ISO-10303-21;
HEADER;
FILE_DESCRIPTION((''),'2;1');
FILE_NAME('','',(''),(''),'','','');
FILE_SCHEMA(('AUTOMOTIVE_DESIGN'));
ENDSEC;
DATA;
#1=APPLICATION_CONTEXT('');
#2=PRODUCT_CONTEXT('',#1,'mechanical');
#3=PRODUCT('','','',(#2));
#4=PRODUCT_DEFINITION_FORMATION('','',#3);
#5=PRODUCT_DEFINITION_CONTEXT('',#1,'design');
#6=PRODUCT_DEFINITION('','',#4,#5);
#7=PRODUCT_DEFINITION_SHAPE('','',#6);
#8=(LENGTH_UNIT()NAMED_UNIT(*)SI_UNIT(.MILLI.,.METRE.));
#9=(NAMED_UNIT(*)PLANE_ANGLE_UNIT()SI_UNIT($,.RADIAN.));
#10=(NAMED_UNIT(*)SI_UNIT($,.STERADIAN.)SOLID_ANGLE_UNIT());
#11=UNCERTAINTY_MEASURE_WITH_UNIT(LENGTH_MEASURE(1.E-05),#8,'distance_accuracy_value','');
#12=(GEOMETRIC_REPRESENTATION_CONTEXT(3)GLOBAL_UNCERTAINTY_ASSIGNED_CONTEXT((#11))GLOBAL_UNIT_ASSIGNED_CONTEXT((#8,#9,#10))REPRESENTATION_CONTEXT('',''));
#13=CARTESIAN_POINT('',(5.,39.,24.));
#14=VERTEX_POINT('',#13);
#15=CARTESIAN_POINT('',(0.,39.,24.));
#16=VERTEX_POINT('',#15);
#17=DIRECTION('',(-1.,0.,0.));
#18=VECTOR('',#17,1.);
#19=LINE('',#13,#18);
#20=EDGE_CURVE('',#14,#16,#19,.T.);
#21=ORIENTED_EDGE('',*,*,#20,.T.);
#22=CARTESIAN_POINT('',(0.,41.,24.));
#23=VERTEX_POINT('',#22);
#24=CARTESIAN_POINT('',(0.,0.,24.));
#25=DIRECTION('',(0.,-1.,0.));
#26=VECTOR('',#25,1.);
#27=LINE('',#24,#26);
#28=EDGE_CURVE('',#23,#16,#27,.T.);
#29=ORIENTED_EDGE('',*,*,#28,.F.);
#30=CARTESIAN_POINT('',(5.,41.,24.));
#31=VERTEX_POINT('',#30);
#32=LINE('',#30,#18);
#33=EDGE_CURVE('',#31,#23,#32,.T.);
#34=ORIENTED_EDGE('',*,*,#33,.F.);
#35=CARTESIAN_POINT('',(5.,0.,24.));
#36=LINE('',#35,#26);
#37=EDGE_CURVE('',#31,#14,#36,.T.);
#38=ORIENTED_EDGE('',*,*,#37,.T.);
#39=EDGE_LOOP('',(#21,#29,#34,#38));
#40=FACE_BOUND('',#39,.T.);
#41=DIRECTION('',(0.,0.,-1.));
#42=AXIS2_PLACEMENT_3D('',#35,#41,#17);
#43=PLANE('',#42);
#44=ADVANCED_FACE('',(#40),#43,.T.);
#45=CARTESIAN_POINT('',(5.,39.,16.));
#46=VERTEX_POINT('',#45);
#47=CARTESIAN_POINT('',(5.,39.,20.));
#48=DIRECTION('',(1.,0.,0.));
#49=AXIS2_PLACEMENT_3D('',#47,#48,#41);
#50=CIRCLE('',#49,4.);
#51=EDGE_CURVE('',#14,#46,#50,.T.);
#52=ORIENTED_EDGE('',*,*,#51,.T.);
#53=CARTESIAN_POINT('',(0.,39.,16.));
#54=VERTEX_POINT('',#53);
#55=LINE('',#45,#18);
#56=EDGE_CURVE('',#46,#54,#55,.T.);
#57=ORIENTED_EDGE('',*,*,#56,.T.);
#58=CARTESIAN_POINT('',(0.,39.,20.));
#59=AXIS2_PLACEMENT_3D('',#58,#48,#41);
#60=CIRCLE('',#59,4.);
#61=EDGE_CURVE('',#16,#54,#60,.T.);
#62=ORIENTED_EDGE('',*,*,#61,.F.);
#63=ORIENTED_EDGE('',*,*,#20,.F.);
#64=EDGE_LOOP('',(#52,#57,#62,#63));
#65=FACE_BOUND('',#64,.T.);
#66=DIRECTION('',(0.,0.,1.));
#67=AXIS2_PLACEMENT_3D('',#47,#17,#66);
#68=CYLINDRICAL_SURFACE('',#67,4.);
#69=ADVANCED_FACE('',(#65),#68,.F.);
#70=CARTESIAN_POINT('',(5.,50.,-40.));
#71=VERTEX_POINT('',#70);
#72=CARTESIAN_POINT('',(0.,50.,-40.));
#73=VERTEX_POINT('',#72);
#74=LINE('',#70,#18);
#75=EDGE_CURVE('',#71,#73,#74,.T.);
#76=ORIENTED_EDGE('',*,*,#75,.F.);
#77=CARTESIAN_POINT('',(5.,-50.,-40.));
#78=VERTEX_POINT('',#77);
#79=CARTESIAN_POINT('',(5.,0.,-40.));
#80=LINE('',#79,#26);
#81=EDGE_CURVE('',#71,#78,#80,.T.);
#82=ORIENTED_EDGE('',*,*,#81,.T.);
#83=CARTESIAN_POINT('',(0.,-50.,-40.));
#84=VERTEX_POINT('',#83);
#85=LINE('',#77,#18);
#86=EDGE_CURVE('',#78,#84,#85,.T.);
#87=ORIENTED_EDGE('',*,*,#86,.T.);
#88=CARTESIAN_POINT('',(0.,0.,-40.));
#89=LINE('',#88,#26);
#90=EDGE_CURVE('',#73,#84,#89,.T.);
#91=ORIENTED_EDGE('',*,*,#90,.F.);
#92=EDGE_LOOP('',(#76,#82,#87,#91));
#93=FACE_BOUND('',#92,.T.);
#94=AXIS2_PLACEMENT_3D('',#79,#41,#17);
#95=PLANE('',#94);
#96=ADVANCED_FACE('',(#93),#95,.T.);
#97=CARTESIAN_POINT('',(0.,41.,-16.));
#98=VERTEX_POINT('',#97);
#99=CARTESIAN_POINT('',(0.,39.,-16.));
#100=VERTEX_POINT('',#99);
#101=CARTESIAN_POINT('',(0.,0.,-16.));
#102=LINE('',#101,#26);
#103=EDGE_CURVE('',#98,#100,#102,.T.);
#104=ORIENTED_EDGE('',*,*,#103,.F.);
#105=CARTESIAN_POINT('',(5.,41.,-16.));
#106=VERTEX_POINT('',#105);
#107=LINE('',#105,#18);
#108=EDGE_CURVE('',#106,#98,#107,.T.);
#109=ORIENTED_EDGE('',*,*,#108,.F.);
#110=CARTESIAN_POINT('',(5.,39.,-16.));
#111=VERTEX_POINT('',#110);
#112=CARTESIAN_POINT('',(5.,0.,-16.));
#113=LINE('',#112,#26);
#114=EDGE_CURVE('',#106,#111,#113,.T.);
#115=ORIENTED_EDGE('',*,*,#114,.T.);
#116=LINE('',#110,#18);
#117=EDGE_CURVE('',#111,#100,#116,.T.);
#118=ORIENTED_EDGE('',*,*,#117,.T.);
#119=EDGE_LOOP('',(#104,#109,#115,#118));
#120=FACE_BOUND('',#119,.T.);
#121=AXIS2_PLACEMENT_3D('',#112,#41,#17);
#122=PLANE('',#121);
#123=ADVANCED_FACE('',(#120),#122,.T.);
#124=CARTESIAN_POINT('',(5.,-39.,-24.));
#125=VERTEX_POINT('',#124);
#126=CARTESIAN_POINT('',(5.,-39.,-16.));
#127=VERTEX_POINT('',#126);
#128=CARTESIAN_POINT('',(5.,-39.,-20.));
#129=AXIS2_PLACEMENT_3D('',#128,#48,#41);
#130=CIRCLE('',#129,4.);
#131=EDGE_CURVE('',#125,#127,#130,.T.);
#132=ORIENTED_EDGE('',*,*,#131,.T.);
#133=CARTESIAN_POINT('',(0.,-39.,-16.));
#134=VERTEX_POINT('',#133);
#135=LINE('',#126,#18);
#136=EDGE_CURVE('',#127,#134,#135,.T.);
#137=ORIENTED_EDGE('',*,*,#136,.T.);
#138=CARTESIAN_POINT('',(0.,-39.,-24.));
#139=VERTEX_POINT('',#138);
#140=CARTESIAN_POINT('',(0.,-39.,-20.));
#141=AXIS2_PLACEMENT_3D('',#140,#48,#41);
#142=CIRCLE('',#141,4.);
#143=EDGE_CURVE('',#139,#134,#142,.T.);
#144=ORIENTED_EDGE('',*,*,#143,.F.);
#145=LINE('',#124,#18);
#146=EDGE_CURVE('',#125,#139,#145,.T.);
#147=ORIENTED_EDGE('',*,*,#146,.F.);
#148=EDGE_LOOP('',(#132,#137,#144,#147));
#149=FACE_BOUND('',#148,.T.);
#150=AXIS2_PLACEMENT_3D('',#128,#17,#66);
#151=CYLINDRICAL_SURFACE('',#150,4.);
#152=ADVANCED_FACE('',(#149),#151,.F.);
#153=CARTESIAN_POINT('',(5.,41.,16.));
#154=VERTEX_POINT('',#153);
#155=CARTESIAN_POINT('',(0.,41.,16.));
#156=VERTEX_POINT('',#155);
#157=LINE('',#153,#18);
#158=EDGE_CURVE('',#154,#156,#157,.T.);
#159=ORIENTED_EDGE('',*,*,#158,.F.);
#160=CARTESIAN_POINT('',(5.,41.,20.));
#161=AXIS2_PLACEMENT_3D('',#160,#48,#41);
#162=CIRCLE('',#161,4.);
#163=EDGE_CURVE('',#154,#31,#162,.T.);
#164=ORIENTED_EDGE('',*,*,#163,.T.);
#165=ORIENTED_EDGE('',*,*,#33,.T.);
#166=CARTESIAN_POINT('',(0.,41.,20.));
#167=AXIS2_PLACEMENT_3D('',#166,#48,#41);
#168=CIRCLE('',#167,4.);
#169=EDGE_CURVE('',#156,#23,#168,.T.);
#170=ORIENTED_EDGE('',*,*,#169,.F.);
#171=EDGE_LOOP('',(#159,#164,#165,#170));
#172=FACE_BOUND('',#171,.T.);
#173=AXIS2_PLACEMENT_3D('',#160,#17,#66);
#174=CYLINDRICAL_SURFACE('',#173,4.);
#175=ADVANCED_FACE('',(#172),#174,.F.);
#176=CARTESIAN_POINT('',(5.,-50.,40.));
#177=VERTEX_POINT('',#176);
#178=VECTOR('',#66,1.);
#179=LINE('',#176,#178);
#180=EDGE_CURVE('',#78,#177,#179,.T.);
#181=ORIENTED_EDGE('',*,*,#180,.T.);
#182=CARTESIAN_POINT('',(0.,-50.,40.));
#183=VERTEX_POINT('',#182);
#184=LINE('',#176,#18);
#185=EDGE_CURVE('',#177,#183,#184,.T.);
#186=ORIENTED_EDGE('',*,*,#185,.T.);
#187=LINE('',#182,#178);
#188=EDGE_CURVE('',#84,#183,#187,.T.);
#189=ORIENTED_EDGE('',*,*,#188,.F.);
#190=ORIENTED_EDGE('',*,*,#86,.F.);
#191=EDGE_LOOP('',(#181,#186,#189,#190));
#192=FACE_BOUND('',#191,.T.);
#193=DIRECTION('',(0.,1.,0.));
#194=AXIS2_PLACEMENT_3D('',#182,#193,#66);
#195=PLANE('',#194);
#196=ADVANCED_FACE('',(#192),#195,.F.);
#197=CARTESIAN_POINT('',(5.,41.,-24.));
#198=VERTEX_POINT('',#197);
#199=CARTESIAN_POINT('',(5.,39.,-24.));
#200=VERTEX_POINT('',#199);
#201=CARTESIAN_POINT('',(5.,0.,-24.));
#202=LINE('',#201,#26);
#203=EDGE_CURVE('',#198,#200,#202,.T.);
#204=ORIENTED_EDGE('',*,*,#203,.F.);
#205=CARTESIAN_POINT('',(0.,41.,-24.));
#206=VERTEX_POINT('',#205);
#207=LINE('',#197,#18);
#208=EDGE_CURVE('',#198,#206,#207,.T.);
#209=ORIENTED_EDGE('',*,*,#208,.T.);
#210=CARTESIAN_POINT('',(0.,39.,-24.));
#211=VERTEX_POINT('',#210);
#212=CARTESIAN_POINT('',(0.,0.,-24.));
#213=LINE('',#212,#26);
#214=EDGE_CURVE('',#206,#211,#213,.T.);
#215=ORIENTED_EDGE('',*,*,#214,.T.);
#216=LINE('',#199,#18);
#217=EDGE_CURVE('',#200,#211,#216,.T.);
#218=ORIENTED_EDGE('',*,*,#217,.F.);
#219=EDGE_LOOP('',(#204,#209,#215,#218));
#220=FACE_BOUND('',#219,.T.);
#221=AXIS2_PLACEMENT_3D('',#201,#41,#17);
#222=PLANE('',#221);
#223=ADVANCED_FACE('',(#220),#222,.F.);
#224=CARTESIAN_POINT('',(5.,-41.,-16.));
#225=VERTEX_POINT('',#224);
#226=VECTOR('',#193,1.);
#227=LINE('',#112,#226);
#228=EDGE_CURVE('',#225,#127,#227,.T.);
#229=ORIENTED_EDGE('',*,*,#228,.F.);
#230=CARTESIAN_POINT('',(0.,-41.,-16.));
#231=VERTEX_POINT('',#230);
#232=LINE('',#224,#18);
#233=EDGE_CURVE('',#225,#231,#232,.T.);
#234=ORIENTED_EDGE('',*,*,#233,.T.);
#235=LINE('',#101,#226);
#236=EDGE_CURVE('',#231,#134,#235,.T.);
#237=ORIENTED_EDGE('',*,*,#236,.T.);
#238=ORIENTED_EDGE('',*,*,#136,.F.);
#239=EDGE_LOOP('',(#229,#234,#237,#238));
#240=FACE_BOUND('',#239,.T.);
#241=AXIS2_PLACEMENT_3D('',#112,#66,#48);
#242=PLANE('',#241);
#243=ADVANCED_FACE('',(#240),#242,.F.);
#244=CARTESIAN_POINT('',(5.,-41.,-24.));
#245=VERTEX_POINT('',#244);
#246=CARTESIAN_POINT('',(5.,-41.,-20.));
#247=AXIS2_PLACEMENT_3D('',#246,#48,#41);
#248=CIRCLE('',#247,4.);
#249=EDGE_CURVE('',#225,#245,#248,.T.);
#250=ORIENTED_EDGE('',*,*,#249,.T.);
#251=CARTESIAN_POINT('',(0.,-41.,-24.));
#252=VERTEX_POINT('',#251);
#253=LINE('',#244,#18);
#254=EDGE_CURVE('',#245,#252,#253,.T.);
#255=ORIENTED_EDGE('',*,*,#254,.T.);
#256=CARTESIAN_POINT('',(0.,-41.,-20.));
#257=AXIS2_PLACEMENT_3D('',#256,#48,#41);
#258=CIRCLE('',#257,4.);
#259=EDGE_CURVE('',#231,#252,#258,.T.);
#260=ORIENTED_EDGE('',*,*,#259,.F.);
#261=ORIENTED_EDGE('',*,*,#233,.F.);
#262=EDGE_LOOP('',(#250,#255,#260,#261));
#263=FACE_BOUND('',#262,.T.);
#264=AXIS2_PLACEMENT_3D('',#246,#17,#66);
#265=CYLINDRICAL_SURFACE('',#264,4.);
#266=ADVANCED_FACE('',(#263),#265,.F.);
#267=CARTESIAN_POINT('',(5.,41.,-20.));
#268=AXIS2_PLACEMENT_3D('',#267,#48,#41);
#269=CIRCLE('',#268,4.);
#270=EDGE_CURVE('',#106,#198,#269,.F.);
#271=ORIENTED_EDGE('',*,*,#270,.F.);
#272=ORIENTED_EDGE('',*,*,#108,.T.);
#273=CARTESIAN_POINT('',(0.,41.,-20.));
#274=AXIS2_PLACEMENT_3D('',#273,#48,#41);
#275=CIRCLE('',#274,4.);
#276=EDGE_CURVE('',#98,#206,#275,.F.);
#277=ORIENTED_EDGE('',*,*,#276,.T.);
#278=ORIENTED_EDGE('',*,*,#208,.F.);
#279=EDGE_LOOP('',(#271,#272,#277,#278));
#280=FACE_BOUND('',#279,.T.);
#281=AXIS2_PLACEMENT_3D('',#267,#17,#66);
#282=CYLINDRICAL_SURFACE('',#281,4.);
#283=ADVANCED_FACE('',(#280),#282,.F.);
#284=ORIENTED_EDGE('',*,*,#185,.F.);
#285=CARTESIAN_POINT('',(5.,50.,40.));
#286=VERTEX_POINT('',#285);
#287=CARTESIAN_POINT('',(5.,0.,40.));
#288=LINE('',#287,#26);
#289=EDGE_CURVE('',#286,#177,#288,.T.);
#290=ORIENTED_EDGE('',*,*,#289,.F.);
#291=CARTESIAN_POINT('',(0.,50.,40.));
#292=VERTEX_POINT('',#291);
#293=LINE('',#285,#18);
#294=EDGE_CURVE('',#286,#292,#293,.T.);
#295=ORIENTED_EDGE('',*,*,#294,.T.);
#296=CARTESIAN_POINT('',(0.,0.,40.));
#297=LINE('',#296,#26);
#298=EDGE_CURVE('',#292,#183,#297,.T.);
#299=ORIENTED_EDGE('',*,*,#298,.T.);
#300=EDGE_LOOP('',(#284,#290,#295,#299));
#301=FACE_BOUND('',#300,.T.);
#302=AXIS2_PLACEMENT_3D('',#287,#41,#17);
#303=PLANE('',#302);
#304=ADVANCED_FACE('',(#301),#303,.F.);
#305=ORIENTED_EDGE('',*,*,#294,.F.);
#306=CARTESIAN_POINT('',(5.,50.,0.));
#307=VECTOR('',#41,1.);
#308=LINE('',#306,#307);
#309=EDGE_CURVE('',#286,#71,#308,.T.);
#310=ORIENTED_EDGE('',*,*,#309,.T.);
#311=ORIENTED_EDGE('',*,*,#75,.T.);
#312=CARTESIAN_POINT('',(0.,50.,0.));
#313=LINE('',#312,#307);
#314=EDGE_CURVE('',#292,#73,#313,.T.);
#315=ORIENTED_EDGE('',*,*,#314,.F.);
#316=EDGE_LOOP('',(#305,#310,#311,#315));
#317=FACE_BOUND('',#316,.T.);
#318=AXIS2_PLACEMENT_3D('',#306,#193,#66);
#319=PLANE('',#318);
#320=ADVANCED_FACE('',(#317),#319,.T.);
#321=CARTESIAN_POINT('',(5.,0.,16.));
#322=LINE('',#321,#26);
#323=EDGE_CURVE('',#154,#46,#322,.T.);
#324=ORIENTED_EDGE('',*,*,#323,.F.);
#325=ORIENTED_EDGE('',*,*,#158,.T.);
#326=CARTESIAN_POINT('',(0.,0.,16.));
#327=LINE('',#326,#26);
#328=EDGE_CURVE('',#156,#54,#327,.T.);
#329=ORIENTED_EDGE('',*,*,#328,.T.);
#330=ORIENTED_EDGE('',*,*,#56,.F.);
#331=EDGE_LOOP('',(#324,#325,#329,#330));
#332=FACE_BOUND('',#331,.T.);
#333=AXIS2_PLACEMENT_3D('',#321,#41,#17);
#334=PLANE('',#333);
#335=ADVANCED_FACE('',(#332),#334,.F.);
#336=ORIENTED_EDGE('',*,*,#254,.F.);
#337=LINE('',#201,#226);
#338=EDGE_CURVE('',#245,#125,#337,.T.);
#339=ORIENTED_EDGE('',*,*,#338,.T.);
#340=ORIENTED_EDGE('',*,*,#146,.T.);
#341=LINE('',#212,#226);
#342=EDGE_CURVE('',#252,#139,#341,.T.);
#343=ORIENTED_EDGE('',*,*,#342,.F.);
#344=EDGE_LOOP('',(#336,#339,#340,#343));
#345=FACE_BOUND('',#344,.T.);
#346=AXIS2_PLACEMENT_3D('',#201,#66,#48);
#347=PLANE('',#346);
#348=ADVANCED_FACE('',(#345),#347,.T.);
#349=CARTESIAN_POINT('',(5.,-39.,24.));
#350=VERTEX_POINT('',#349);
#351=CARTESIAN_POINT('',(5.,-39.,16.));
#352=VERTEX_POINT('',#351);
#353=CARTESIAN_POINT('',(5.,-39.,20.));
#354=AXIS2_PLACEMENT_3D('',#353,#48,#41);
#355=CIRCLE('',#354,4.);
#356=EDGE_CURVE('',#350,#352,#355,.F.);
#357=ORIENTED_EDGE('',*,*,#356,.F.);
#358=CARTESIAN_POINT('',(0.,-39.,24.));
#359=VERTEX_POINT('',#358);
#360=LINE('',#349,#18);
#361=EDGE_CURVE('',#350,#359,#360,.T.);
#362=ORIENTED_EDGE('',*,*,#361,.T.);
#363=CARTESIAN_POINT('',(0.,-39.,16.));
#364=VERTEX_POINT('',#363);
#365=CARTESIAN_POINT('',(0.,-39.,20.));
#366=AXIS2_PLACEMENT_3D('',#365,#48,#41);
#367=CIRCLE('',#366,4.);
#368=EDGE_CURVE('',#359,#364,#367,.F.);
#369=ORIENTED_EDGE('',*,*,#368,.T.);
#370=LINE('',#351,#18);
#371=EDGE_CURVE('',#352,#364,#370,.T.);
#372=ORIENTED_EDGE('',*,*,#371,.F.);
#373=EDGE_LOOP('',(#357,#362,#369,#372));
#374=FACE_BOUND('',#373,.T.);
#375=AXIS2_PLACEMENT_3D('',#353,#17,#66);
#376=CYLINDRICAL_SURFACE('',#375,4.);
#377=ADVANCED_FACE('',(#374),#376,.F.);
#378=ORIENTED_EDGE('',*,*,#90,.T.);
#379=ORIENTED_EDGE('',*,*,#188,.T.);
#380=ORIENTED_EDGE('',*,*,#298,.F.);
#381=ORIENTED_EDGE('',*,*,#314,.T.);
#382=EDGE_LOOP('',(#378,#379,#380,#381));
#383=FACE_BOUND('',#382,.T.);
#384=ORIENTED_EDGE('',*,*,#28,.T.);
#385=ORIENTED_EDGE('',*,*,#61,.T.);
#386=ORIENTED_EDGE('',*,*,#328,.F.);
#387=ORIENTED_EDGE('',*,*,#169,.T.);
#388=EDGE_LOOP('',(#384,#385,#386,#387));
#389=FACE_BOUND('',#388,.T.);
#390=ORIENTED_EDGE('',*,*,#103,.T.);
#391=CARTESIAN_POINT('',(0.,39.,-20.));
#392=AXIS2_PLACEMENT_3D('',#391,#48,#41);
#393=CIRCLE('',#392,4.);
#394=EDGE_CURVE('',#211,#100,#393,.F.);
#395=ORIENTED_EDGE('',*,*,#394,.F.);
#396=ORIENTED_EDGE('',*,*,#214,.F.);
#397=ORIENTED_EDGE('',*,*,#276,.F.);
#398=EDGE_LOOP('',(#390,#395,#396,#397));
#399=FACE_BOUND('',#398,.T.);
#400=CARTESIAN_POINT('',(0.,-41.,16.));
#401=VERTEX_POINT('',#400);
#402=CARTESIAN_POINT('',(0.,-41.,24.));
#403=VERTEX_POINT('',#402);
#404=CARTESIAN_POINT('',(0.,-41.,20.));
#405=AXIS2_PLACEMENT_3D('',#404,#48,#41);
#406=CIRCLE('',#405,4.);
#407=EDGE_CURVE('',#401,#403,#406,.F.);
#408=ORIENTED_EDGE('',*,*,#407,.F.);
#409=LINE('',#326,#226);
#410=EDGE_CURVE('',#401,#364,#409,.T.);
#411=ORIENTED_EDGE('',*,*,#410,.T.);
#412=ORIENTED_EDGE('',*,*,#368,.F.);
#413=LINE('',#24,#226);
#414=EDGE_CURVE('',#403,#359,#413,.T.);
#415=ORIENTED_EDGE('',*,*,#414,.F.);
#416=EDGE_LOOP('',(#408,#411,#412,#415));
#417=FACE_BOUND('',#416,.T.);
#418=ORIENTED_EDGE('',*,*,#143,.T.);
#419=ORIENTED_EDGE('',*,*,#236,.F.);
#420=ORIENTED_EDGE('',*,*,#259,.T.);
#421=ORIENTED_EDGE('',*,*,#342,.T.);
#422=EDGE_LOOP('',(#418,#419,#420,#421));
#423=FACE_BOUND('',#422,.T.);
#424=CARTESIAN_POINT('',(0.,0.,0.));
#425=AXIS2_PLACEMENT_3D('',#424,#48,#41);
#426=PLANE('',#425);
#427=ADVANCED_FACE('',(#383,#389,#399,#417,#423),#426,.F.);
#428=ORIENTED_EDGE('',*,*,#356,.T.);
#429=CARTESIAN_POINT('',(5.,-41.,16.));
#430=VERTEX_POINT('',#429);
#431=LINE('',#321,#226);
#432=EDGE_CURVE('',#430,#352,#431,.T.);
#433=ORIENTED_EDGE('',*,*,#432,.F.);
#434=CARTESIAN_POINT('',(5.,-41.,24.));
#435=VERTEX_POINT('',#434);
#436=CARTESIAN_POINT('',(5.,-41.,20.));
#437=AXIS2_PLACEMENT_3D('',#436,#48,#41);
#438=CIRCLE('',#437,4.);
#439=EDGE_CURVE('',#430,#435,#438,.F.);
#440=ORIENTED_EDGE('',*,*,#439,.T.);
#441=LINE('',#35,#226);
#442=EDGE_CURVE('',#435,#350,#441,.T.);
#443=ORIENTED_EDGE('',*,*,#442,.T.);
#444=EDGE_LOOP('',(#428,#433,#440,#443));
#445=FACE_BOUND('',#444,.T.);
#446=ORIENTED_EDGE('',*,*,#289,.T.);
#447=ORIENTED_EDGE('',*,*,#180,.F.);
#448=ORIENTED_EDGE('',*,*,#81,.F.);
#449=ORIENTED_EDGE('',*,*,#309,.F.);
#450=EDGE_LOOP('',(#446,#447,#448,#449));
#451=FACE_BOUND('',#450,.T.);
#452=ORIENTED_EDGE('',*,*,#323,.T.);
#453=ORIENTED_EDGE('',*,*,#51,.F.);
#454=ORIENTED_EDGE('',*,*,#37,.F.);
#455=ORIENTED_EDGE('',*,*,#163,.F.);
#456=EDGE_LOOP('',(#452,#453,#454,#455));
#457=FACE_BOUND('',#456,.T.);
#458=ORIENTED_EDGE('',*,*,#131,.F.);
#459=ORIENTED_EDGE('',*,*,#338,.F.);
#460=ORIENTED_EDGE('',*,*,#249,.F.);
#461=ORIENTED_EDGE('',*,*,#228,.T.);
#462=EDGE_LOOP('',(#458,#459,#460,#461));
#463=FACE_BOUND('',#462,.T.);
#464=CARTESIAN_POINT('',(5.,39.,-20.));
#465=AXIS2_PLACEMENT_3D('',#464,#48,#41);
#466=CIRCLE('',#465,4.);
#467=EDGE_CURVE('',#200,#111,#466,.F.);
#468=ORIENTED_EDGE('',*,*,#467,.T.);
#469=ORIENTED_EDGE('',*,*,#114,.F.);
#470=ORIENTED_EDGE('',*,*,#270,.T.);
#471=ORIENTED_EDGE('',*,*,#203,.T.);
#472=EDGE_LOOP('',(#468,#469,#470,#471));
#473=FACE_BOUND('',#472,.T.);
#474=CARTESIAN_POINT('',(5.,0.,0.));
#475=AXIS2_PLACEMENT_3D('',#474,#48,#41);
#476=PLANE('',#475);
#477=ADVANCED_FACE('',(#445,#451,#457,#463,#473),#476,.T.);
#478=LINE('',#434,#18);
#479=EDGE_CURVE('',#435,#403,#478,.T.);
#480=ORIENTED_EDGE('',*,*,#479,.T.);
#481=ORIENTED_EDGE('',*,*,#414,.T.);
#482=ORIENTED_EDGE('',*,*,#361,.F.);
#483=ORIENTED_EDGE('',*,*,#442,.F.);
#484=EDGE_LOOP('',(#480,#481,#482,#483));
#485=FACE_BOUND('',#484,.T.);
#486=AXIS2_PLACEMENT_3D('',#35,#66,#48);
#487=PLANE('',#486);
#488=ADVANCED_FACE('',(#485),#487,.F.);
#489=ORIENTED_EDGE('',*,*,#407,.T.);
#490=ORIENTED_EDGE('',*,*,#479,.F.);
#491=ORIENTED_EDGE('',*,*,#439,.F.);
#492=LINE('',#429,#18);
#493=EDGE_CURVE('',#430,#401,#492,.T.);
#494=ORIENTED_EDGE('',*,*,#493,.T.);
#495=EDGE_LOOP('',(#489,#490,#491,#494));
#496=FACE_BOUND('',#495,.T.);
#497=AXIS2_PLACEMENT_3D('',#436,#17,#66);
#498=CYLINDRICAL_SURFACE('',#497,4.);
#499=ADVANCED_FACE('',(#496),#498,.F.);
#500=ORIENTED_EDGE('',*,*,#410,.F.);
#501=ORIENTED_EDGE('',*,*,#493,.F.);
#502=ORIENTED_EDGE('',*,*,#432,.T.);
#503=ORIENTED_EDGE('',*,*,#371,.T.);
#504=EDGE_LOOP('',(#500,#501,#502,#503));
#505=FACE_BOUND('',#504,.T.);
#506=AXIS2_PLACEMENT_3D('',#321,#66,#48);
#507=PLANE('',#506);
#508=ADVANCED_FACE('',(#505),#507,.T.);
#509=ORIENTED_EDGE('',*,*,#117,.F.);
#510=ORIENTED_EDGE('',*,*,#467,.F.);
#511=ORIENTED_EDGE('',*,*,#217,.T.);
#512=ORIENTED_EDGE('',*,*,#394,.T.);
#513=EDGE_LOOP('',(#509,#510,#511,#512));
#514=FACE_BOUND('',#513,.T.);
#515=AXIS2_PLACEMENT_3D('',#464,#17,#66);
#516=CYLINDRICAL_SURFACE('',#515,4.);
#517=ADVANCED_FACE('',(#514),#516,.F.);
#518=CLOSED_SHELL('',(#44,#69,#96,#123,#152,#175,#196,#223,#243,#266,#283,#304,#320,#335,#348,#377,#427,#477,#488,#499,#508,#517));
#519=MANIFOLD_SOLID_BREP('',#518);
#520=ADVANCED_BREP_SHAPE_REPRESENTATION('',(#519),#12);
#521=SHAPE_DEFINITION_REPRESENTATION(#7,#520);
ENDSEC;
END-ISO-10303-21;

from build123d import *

# Parameters (mm, degrees)
SKETCH1_W           = 80
SKETCH1_H           = 100
SKETCH1_R           = 21.5
SKETCH1_R_2         = 14
SKETCH1_R_3         = 2
BOSS_EXTRUDE1_DEPTH = 5
SKETCH3_W           = 80
SKETCH3_H           = 55.127756358
CUT_EXTRUDE1_DEPTH  = 6


with BuildPart() as part:
    # Sketch1 → Boss-Extrude1 (new body)
    with BuildSketch(Plane(origin=(0, 0, 0), x_dir=(0, 0, -1), z_dir=(1, 0, 0))):
        Rectangle(SKETCH1_W, SKETCH1_H)
        with BuildLine():
            ThreePointArc((24, -39), (20, -35), (16, -39))
            Line((16, -39), (16, -41))
            ThreePointArc((16, -41), (20, -45), (24, -41))
            Line((24, -41), (24, -39))
        make_face(mode=Mode.SUBTRACT)
        with BuildLine():
            ThreePointArc((-24, 39), (-20, 35), (-16, 39))
            Line((-16, 39), (-16, 41))
            ThreePointArc((-16, 41), (-20, 45), (-24, 41))
            Line((-24, 41), (-24, 39))
        make_face(mode=Mode.SUBTRACT)
        with BuildLine():
            Line((24, 41), (24, 39))
            ThreePointArc((24, 39), (20, 35), (16, 39))
            Line((16, 39), (16, 41))
            ThreePointArc((16, 41), (20, 45), (24, 41))
        make_face(mode=Mode.SUBTRACT)
        with BuildLine():
            Line((-24, -41), (-24, -39))
            ThreePointArc((-24, -39), (-20, -35), (-16, -39))
            Line((-16, -39), (-16, -41))
            ThreePointArc((-16, -41), (-20, -45), (-24, -41))
        make_face(mode=Mode.SUBTRACT)
        with BuildLine():
            Line((40, -50), (-40, -50))
            Line((-40, -50), (-18.452584301, -86.034134882))
            ThreePointArc((-18.452584301, -86.034134882), (-5.72361064, -54.275852702), (21.5, -75))
            ThreePointArc((21.5, -75), (20.724147298, -80.72361064), (18.452584301, -86.034134882))
            Line((18.452584301, -86.034134882), (40, -50))
        make_face()
        with Locations((0, -75)):
            Circle(SKETCH1_R)
        with Locations((0, -75)):
            Circle(SKETCH1_R_2, mode=Mode.SUBTRACT)
        with Locations((17.5, -75)):
            Circle(SKETCH1_R_3, mode=Mode.SUBTRACT)
        with Locations((0, -92.5)):
            Circle(SKETCH1_R_3, mode=Mode.SUBTRACT)
        with Locations((-17.5, -75)):
            Circle(SKETCH1_R_3, mode=Mode.SUBTRACT)
        with Locations((0, -57.5)):
            Circle(SKETCH1_R_3, mode=Mode.SUBTRACT)
    extrude(amount=BOSS_EXTRUDE1_DEPTH)

    # Sketch3 → Cut-Extrude1 (cut, through all)
    with BuildSketch(Plane(origin=(5, 0, 0), x_dir=(0, 0, -1), z_dir=(1, 0, 0))):
        with Locations((0, -77.563878179)):
            Rectangle(SKETCH3_W, SKETCH3_H)
    extrude(amount=-CUT_EXTRUDE1_DEPTH, mode=Mode.SUBTRACT)


solid = part.part
